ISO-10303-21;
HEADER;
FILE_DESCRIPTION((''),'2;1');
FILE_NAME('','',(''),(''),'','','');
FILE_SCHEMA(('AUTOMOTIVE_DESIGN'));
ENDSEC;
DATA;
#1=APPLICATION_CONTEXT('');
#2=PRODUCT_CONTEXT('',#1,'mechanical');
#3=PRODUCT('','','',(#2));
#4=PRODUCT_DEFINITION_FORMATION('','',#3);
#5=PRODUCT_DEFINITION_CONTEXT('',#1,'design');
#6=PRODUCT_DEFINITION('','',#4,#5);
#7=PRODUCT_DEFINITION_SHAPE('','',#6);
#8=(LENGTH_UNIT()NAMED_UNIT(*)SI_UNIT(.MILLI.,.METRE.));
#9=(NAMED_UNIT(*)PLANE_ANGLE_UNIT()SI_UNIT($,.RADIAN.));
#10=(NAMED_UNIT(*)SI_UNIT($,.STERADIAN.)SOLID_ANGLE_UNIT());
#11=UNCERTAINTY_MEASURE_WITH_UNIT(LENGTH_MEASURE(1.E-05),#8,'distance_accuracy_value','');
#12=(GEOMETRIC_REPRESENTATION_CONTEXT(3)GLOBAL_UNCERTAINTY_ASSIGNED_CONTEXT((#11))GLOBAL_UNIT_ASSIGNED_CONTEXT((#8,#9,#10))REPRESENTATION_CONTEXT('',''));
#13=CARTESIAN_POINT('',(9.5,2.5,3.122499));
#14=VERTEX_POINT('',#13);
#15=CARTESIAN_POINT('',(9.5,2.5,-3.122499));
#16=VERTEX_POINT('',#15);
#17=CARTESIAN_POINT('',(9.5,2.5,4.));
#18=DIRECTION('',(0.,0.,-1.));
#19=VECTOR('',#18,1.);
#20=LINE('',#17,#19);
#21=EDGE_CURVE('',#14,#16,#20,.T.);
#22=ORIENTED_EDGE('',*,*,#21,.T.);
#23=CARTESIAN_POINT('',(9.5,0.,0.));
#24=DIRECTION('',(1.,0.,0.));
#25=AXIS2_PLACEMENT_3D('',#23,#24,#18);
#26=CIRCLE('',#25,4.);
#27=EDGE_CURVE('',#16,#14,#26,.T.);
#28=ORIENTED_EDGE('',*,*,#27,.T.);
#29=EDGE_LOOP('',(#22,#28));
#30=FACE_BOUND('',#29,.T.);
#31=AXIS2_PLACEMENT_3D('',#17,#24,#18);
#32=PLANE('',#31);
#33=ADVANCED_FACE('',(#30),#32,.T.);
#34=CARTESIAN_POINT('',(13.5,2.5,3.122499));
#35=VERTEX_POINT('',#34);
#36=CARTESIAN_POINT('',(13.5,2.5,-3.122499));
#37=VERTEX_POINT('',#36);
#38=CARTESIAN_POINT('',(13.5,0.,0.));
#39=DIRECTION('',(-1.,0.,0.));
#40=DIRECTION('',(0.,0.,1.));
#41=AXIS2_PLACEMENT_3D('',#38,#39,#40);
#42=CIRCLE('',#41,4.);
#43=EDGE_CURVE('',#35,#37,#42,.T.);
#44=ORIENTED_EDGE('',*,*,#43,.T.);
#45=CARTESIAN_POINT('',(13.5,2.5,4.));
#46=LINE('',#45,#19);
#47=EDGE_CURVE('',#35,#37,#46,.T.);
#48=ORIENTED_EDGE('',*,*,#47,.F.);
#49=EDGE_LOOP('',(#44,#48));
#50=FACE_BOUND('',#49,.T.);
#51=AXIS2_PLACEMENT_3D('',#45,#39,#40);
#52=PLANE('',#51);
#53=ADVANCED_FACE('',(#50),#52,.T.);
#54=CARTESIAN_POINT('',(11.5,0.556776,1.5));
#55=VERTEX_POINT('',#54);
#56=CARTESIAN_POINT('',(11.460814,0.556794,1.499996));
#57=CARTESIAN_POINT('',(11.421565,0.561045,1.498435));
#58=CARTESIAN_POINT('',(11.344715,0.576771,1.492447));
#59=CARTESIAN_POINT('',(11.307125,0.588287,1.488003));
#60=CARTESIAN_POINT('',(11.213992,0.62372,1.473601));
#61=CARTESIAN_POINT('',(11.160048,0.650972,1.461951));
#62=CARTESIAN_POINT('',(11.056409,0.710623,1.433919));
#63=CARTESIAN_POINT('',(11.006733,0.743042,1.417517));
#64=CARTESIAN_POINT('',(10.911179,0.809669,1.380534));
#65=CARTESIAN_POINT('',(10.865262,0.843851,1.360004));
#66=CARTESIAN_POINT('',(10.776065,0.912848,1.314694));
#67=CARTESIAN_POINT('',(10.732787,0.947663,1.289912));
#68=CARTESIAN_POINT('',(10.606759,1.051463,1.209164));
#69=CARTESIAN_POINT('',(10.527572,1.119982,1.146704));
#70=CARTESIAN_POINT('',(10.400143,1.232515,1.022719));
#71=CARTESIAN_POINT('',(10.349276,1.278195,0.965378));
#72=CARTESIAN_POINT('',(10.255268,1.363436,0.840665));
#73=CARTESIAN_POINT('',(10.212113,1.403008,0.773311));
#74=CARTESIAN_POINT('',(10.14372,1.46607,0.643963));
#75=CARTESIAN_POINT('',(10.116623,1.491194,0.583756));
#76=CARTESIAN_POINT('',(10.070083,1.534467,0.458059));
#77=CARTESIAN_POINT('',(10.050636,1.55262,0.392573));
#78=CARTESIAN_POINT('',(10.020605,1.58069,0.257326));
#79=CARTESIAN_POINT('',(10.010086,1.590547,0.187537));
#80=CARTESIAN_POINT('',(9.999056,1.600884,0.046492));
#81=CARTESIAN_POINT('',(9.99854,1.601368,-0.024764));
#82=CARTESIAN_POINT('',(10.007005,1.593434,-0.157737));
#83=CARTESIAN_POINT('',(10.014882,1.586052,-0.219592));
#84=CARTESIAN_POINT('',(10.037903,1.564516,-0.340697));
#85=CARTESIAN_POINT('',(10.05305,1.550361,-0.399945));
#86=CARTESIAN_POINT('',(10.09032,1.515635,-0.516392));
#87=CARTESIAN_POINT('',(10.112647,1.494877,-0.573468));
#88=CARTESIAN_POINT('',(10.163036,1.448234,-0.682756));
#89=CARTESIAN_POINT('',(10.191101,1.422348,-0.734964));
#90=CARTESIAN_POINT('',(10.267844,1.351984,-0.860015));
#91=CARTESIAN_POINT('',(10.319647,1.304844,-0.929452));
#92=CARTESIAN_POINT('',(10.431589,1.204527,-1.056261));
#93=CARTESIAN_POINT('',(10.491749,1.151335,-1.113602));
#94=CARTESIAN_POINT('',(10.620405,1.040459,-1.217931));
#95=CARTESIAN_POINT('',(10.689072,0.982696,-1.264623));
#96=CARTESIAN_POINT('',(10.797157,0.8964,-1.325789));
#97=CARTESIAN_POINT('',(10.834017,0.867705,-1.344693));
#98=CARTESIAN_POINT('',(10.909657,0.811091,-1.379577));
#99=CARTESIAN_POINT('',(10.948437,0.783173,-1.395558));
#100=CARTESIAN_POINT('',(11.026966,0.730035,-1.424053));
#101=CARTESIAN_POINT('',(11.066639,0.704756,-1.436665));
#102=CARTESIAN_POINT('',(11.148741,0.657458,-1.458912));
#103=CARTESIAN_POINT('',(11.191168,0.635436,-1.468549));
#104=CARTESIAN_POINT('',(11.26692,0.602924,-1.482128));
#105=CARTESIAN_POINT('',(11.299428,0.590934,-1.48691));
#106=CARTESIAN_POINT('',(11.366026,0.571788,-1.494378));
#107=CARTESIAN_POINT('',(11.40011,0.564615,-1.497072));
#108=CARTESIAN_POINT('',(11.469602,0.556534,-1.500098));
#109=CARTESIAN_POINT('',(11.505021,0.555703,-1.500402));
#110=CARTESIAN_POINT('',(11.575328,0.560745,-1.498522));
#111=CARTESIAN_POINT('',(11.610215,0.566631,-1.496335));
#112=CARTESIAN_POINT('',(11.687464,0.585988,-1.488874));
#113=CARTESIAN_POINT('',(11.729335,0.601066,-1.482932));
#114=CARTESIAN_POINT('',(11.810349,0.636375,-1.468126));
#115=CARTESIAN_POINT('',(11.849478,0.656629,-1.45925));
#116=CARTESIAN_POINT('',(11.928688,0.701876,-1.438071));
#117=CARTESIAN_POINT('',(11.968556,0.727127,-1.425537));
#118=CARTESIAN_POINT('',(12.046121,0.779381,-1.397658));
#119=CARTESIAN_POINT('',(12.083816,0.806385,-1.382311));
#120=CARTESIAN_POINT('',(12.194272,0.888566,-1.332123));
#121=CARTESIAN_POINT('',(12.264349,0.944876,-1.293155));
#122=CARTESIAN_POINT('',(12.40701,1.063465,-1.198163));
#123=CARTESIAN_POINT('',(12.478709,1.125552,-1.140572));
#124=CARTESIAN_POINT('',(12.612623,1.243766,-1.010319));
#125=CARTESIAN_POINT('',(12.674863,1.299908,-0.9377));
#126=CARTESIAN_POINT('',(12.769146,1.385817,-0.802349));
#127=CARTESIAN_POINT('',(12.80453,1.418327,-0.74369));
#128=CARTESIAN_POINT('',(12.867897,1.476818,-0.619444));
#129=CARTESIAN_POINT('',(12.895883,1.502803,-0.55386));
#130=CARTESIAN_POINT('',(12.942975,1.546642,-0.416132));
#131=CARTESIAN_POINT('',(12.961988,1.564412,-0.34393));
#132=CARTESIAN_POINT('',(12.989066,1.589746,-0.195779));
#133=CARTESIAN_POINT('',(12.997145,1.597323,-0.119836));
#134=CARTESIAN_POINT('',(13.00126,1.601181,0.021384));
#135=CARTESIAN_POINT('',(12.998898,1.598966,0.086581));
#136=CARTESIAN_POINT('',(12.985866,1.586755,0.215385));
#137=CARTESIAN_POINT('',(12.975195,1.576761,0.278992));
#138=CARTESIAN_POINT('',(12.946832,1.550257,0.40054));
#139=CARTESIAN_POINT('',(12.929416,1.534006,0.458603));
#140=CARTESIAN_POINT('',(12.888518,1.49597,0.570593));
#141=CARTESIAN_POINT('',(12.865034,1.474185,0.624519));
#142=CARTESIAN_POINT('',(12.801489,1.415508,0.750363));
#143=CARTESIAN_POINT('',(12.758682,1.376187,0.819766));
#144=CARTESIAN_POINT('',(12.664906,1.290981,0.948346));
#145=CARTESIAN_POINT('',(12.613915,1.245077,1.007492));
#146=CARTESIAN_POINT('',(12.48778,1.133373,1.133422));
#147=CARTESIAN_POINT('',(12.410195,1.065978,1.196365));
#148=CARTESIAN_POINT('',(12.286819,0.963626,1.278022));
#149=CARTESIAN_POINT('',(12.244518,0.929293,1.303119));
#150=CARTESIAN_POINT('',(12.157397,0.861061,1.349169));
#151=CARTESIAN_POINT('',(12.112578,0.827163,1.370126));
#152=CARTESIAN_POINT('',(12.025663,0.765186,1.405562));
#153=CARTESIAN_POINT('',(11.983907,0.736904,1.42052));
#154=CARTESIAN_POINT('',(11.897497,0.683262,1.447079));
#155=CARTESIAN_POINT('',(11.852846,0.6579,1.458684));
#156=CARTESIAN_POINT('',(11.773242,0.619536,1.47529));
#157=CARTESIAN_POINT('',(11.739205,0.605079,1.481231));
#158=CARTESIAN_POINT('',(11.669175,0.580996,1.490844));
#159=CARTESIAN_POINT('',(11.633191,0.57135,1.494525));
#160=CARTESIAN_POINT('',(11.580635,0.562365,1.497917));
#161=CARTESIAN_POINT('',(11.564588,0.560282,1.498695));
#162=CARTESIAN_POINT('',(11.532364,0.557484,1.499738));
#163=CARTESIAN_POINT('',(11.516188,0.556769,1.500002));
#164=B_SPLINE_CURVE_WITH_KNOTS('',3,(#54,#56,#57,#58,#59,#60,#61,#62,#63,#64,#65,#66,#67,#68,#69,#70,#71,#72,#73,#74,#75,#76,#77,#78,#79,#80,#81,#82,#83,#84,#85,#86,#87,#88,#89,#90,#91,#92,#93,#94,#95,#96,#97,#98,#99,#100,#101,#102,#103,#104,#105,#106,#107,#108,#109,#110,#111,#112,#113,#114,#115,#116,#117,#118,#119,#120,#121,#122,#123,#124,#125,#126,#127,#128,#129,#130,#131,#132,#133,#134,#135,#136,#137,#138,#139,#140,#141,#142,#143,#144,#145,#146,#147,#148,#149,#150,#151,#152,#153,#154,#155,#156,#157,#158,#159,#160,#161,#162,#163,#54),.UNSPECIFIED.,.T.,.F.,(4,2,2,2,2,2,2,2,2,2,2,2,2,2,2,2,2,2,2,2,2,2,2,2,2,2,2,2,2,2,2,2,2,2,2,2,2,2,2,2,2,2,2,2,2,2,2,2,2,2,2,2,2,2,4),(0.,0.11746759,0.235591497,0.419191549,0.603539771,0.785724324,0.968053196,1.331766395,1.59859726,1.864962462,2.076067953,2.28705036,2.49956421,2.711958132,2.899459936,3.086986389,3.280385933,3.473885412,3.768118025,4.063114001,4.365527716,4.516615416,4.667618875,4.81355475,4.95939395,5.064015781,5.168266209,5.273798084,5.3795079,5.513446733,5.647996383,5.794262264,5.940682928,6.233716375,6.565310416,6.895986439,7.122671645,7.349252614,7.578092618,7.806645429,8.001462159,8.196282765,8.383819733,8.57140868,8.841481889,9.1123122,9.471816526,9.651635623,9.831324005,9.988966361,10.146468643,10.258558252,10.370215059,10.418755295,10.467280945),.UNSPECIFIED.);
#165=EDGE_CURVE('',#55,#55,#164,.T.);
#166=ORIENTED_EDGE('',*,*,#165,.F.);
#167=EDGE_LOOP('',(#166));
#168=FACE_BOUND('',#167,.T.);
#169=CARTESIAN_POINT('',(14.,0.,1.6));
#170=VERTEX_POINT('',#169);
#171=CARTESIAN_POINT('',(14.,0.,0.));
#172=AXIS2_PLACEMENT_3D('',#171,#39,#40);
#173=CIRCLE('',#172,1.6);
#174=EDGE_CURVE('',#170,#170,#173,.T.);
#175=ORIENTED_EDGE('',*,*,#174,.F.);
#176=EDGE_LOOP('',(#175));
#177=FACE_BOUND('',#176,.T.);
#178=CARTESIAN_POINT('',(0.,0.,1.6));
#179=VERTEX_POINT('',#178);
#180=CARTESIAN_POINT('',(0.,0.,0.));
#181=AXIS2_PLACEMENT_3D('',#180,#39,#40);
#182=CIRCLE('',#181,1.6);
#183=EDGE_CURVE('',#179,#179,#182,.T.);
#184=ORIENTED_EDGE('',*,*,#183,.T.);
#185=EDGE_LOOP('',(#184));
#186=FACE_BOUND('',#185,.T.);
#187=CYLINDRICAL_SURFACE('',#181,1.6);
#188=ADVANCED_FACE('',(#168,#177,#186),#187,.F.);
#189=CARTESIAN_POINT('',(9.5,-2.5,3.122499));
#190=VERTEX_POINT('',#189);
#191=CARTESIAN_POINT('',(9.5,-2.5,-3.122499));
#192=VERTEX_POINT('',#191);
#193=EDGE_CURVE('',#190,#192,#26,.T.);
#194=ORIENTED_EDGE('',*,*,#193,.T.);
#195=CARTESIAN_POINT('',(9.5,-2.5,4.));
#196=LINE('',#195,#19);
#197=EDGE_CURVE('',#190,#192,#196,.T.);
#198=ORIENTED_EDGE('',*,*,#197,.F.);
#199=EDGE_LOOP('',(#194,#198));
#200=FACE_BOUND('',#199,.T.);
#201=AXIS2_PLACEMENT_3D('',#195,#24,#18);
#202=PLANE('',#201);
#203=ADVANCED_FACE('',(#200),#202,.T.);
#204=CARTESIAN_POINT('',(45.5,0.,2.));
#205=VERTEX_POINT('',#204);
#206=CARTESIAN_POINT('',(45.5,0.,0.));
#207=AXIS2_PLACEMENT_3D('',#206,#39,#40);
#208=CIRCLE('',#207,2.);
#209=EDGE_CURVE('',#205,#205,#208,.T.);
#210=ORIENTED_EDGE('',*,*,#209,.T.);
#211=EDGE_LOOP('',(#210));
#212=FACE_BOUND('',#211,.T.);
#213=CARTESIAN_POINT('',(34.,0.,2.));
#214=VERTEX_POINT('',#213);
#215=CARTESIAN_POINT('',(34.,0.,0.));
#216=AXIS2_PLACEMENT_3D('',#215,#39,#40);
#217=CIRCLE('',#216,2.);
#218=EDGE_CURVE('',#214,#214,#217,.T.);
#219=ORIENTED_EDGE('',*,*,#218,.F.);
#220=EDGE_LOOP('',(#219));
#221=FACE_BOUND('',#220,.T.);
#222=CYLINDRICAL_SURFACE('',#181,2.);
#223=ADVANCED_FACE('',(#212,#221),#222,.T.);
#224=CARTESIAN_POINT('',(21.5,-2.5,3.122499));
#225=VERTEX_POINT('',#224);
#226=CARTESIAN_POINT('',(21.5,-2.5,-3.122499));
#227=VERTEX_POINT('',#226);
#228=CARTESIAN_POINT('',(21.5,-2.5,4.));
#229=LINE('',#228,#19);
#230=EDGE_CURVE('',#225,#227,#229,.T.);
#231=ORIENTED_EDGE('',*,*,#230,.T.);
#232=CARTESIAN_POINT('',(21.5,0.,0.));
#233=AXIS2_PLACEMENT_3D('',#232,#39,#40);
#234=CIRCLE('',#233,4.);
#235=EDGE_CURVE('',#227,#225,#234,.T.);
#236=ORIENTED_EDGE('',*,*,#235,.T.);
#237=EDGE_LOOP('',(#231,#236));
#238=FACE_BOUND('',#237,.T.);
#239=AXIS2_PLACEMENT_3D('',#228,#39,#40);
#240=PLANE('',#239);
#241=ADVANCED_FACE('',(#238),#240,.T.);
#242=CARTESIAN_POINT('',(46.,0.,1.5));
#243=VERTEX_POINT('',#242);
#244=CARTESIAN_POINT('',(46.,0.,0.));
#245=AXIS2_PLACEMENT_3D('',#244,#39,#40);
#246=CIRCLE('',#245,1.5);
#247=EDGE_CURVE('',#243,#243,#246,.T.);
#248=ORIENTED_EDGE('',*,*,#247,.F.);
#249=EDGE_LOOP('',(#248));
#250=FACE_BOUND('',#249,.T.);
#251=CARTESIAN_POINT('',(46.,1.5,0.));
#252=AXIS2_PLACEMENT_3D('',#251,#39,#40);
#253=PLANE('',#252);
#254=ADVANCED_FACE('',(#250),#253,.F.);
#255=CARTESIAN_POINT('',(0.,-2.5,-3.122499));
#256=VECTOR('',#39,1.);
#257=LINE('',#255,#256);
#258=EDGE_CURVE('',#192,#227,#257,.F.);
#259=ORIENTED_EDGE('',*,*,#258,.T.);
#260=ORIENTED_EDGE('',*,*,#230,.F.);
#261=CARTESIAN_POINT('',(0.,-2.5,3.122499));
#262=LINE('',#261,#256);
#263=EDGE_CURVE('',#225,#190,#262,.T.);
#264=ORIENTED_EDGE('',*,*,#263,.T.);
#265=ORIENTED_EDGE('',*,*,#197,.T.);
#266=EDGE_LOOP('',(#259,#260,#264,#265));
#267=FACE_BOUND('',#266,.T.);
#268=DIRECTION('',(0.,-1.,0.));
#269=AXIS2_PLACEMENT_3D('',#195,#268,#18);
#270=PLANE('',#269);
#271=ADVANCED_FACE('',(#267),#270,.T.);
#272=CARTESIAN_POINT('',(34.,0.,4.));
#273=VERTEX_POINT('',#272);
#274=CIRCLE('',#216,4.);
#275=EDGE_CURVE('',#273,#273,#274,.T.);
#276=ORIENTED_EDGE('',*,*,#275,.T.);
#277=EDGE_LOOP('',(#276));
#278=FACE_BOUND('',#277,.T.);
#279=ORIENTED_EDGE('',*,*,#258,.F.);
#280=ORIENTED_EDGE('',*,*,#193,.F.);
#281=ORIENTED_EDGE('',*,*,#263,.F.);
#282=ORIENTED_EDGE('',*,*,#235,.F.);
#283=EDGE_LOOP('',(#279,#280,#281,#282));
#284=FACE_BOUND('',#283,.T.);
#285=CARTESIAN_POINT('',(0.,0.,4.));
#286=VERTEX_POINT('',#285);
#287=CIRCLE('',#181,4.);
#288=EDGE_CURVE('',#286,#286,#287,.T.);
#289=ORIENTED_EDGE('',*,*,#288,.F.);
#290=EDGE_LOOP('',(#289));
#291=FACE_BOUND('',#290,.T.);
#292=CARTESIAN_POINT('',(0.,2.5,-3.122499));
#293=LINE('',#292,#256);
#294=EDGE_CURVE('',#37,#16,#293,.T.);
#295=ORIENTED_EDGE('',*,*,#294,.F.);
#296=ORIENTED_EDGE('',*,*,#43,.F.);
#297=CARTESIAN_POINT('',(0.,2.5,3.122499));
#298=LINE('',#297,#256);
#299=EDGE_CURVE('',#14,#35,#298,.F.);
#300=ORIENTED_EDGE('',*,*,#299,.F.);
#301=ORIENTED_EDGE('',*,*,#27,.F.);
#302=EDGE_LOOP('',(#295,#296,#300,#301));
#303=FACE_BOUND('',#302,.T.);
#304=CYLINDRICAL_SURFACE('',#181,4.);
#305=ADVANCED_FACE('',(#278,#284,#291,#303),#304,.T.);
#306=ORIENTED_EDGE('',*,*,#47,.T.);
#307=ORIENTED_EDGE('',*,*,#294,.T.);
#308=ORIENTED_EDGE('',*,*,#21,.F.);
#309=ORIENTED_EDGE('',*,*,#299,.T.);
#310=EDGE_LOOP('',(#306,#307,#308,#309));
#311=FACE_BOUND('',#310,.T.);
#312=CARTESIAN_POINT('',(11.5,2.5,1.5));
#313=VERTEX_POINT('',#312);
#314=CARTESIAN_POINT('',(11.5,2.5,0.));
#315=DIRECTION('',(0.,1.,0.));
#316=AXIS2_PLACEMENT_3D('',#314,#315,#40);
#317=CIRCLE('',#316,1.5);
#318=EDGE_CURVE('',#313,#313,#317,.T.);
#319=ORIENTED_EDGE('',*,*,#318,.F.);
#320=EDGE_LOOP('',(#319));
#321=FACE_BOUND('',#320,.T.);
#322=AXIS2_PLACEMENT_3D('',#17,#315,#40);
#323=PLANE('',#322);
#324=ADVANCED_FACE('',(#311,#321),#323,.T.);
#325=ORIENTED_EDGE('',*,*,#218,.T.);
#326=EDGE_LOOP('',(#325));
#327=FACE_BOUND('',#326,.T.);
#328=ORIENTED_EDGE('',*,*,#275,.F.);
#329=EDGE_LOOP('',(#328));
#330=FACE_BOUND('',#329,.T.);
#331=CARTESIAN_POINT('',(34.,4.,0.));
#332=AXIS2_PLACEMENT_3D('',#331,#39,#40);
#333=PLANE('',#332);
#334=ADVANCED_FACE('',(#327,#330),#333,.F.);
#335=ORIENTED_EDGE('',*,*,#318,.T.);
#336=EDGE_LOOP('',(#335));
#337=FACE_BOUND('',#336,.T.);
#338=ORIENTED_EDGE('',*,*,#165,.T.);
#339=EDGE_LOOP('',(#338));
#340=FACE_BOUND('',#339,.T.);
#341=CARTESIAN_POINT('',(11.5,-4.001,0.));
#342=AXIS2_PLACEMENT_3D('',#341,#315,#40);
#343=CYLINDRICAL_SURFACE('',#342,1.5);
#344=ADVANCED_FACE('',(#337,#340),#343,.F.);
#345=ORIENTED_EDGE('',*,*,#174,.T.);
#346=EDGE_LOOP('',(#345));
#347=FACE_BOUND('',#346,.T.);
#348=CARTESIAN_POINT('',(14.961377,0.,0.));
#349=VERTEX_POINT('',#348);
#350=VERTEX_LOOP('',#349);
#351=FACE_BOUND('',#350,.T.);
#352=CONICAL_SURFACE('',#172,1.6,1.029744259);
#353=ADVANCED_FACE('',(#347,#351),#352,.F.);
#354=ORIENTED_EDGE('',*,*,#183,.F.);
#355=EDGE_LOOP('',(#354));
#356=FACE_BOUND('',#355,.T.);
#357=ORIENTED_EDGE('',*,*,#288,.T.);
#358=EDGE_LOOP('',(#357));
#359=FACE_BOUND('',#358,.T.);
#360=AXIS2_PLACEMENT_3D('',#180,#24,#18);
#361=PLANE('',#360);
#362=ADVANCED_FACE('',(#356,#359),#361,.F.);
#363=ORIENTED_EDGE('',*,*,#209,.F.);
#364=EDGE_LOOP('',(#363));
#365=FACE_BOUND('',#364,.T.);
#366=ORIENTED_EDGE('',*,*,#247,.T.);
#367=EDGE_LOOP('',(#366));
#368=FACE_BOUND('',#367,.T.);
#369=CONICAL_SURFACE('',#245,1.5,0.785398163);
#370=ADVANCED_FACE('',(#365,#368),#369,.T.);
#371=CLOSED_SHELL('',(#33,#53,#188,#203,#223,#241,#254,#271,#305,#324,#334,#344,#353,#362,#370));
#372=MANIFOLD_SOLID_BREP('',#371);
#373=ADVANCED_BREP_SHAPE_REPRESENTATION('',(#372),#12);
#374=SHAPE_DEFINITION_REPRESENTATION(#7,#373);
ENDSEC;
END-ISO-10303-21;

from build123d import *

# Parameters (mm, degrees)
SKETCH_3_W                  = 12
SKETCH_3_H                  = 3.426661337
SKETCH_3_W_2                = 4
SKETCH_3_H_2                = 2.458257046
CUT_EXTRUDE_1_DEPTH         = 5
CUT_EXTRUDE_1_DEPTH_BACK    = 5
HOLE_WIZARD_3_2_3_2_1_D     = 3.2
HOLE_WIZARD_3_2_3_2_1_DEPTH = 14
HOLE_WIZARD_3_2_3_2_1_TIP   = 0.96137699
CUT_EXTRUDE_2_REACH         = 8.5
SKETCH_6_R                  = 1.5


with BuildPart() as part:
    # Эскиз1 → Повернуть1 (revolve)
    with BuildSketch(Plane.XY):
        Polygon((0, 0), (0, 4), (34, 4), (34, 2), (45.5, 2), (46, 1.5), (46, 0), align=None)
    revolve(axis=Axis((0, 0, 0), (1, 0, 0)))

    # Эскиз3 → Вырез-Вытянуть1 (cut, two sides)
    with BuildSketch(Plane.XY) as cut_extrude_1_sk:
        with Locations((15.5, -4.213330669)):
            Rectangle(SKETCH_3_W, SKETCH_3_H)
        with Locations((11.5, 3.729128523)):
            Rectangle(SKETCH_3_W_2, SKETCH_3_H_2)
    extrude(amount=CUT_EXTRUDE_1_DEPTH, mode=Mode.SUBTRACT)
    extrude(cut_extrude_1_sk.sketch, amount=-CUT_EXTRUDE_1_DEPTH_BACK, mode=Mode.SUBTRACT)

    # Диаметр отверстия Ø3.2 (3.2)1
    with Locations(Plane.ZY):
        with Locations((0, 0)):
            Hole(HOLE_WIZARD_3_2_3_2_1_D / 2, depth=HOLE_WIZARD_3_2_3_2_1_DEPTH)
            with Locations((0, 0, -(HOLE_WIZARD_3_2_3_2_1_DEPTH + HOLE_WIZARD_3_2_3_2_1_TIP / 2))):  # 118° drill point
                Cone(0, HOLE_WIZARD_3_2_3_2_1_D / 2, HOLE_WIZARD_3_2_3_2_1_TIP, mode=Mode.SUBTRACT)

    # Эскиз6 → Вырез-Вытянуть2 (cut, up to next)
    with BuildSketch(Plane(origin=(0, 2.5, 0), x_dir=(1, 0, 0), z_dir=(0, 1, 0)), mode=Mode.PRIVATE) as cut_extrude_2_sk1:
        with Locations((11.5, 0)):
            Circle(SKETCH_6_R)
    cut_extrude_2_tool1 = extrude(cut_extrude_2_sk1.sketch, amount=-CUT_EXTRUDE_2_REACH, mode=Mode.PRIVATE) & part.part
    add(cut_extrude_2_tool1.solids().sort_by_distance((11.5, 2.5, 0))[0], mode=Mode.SUBTRACT)


solid = part.part
